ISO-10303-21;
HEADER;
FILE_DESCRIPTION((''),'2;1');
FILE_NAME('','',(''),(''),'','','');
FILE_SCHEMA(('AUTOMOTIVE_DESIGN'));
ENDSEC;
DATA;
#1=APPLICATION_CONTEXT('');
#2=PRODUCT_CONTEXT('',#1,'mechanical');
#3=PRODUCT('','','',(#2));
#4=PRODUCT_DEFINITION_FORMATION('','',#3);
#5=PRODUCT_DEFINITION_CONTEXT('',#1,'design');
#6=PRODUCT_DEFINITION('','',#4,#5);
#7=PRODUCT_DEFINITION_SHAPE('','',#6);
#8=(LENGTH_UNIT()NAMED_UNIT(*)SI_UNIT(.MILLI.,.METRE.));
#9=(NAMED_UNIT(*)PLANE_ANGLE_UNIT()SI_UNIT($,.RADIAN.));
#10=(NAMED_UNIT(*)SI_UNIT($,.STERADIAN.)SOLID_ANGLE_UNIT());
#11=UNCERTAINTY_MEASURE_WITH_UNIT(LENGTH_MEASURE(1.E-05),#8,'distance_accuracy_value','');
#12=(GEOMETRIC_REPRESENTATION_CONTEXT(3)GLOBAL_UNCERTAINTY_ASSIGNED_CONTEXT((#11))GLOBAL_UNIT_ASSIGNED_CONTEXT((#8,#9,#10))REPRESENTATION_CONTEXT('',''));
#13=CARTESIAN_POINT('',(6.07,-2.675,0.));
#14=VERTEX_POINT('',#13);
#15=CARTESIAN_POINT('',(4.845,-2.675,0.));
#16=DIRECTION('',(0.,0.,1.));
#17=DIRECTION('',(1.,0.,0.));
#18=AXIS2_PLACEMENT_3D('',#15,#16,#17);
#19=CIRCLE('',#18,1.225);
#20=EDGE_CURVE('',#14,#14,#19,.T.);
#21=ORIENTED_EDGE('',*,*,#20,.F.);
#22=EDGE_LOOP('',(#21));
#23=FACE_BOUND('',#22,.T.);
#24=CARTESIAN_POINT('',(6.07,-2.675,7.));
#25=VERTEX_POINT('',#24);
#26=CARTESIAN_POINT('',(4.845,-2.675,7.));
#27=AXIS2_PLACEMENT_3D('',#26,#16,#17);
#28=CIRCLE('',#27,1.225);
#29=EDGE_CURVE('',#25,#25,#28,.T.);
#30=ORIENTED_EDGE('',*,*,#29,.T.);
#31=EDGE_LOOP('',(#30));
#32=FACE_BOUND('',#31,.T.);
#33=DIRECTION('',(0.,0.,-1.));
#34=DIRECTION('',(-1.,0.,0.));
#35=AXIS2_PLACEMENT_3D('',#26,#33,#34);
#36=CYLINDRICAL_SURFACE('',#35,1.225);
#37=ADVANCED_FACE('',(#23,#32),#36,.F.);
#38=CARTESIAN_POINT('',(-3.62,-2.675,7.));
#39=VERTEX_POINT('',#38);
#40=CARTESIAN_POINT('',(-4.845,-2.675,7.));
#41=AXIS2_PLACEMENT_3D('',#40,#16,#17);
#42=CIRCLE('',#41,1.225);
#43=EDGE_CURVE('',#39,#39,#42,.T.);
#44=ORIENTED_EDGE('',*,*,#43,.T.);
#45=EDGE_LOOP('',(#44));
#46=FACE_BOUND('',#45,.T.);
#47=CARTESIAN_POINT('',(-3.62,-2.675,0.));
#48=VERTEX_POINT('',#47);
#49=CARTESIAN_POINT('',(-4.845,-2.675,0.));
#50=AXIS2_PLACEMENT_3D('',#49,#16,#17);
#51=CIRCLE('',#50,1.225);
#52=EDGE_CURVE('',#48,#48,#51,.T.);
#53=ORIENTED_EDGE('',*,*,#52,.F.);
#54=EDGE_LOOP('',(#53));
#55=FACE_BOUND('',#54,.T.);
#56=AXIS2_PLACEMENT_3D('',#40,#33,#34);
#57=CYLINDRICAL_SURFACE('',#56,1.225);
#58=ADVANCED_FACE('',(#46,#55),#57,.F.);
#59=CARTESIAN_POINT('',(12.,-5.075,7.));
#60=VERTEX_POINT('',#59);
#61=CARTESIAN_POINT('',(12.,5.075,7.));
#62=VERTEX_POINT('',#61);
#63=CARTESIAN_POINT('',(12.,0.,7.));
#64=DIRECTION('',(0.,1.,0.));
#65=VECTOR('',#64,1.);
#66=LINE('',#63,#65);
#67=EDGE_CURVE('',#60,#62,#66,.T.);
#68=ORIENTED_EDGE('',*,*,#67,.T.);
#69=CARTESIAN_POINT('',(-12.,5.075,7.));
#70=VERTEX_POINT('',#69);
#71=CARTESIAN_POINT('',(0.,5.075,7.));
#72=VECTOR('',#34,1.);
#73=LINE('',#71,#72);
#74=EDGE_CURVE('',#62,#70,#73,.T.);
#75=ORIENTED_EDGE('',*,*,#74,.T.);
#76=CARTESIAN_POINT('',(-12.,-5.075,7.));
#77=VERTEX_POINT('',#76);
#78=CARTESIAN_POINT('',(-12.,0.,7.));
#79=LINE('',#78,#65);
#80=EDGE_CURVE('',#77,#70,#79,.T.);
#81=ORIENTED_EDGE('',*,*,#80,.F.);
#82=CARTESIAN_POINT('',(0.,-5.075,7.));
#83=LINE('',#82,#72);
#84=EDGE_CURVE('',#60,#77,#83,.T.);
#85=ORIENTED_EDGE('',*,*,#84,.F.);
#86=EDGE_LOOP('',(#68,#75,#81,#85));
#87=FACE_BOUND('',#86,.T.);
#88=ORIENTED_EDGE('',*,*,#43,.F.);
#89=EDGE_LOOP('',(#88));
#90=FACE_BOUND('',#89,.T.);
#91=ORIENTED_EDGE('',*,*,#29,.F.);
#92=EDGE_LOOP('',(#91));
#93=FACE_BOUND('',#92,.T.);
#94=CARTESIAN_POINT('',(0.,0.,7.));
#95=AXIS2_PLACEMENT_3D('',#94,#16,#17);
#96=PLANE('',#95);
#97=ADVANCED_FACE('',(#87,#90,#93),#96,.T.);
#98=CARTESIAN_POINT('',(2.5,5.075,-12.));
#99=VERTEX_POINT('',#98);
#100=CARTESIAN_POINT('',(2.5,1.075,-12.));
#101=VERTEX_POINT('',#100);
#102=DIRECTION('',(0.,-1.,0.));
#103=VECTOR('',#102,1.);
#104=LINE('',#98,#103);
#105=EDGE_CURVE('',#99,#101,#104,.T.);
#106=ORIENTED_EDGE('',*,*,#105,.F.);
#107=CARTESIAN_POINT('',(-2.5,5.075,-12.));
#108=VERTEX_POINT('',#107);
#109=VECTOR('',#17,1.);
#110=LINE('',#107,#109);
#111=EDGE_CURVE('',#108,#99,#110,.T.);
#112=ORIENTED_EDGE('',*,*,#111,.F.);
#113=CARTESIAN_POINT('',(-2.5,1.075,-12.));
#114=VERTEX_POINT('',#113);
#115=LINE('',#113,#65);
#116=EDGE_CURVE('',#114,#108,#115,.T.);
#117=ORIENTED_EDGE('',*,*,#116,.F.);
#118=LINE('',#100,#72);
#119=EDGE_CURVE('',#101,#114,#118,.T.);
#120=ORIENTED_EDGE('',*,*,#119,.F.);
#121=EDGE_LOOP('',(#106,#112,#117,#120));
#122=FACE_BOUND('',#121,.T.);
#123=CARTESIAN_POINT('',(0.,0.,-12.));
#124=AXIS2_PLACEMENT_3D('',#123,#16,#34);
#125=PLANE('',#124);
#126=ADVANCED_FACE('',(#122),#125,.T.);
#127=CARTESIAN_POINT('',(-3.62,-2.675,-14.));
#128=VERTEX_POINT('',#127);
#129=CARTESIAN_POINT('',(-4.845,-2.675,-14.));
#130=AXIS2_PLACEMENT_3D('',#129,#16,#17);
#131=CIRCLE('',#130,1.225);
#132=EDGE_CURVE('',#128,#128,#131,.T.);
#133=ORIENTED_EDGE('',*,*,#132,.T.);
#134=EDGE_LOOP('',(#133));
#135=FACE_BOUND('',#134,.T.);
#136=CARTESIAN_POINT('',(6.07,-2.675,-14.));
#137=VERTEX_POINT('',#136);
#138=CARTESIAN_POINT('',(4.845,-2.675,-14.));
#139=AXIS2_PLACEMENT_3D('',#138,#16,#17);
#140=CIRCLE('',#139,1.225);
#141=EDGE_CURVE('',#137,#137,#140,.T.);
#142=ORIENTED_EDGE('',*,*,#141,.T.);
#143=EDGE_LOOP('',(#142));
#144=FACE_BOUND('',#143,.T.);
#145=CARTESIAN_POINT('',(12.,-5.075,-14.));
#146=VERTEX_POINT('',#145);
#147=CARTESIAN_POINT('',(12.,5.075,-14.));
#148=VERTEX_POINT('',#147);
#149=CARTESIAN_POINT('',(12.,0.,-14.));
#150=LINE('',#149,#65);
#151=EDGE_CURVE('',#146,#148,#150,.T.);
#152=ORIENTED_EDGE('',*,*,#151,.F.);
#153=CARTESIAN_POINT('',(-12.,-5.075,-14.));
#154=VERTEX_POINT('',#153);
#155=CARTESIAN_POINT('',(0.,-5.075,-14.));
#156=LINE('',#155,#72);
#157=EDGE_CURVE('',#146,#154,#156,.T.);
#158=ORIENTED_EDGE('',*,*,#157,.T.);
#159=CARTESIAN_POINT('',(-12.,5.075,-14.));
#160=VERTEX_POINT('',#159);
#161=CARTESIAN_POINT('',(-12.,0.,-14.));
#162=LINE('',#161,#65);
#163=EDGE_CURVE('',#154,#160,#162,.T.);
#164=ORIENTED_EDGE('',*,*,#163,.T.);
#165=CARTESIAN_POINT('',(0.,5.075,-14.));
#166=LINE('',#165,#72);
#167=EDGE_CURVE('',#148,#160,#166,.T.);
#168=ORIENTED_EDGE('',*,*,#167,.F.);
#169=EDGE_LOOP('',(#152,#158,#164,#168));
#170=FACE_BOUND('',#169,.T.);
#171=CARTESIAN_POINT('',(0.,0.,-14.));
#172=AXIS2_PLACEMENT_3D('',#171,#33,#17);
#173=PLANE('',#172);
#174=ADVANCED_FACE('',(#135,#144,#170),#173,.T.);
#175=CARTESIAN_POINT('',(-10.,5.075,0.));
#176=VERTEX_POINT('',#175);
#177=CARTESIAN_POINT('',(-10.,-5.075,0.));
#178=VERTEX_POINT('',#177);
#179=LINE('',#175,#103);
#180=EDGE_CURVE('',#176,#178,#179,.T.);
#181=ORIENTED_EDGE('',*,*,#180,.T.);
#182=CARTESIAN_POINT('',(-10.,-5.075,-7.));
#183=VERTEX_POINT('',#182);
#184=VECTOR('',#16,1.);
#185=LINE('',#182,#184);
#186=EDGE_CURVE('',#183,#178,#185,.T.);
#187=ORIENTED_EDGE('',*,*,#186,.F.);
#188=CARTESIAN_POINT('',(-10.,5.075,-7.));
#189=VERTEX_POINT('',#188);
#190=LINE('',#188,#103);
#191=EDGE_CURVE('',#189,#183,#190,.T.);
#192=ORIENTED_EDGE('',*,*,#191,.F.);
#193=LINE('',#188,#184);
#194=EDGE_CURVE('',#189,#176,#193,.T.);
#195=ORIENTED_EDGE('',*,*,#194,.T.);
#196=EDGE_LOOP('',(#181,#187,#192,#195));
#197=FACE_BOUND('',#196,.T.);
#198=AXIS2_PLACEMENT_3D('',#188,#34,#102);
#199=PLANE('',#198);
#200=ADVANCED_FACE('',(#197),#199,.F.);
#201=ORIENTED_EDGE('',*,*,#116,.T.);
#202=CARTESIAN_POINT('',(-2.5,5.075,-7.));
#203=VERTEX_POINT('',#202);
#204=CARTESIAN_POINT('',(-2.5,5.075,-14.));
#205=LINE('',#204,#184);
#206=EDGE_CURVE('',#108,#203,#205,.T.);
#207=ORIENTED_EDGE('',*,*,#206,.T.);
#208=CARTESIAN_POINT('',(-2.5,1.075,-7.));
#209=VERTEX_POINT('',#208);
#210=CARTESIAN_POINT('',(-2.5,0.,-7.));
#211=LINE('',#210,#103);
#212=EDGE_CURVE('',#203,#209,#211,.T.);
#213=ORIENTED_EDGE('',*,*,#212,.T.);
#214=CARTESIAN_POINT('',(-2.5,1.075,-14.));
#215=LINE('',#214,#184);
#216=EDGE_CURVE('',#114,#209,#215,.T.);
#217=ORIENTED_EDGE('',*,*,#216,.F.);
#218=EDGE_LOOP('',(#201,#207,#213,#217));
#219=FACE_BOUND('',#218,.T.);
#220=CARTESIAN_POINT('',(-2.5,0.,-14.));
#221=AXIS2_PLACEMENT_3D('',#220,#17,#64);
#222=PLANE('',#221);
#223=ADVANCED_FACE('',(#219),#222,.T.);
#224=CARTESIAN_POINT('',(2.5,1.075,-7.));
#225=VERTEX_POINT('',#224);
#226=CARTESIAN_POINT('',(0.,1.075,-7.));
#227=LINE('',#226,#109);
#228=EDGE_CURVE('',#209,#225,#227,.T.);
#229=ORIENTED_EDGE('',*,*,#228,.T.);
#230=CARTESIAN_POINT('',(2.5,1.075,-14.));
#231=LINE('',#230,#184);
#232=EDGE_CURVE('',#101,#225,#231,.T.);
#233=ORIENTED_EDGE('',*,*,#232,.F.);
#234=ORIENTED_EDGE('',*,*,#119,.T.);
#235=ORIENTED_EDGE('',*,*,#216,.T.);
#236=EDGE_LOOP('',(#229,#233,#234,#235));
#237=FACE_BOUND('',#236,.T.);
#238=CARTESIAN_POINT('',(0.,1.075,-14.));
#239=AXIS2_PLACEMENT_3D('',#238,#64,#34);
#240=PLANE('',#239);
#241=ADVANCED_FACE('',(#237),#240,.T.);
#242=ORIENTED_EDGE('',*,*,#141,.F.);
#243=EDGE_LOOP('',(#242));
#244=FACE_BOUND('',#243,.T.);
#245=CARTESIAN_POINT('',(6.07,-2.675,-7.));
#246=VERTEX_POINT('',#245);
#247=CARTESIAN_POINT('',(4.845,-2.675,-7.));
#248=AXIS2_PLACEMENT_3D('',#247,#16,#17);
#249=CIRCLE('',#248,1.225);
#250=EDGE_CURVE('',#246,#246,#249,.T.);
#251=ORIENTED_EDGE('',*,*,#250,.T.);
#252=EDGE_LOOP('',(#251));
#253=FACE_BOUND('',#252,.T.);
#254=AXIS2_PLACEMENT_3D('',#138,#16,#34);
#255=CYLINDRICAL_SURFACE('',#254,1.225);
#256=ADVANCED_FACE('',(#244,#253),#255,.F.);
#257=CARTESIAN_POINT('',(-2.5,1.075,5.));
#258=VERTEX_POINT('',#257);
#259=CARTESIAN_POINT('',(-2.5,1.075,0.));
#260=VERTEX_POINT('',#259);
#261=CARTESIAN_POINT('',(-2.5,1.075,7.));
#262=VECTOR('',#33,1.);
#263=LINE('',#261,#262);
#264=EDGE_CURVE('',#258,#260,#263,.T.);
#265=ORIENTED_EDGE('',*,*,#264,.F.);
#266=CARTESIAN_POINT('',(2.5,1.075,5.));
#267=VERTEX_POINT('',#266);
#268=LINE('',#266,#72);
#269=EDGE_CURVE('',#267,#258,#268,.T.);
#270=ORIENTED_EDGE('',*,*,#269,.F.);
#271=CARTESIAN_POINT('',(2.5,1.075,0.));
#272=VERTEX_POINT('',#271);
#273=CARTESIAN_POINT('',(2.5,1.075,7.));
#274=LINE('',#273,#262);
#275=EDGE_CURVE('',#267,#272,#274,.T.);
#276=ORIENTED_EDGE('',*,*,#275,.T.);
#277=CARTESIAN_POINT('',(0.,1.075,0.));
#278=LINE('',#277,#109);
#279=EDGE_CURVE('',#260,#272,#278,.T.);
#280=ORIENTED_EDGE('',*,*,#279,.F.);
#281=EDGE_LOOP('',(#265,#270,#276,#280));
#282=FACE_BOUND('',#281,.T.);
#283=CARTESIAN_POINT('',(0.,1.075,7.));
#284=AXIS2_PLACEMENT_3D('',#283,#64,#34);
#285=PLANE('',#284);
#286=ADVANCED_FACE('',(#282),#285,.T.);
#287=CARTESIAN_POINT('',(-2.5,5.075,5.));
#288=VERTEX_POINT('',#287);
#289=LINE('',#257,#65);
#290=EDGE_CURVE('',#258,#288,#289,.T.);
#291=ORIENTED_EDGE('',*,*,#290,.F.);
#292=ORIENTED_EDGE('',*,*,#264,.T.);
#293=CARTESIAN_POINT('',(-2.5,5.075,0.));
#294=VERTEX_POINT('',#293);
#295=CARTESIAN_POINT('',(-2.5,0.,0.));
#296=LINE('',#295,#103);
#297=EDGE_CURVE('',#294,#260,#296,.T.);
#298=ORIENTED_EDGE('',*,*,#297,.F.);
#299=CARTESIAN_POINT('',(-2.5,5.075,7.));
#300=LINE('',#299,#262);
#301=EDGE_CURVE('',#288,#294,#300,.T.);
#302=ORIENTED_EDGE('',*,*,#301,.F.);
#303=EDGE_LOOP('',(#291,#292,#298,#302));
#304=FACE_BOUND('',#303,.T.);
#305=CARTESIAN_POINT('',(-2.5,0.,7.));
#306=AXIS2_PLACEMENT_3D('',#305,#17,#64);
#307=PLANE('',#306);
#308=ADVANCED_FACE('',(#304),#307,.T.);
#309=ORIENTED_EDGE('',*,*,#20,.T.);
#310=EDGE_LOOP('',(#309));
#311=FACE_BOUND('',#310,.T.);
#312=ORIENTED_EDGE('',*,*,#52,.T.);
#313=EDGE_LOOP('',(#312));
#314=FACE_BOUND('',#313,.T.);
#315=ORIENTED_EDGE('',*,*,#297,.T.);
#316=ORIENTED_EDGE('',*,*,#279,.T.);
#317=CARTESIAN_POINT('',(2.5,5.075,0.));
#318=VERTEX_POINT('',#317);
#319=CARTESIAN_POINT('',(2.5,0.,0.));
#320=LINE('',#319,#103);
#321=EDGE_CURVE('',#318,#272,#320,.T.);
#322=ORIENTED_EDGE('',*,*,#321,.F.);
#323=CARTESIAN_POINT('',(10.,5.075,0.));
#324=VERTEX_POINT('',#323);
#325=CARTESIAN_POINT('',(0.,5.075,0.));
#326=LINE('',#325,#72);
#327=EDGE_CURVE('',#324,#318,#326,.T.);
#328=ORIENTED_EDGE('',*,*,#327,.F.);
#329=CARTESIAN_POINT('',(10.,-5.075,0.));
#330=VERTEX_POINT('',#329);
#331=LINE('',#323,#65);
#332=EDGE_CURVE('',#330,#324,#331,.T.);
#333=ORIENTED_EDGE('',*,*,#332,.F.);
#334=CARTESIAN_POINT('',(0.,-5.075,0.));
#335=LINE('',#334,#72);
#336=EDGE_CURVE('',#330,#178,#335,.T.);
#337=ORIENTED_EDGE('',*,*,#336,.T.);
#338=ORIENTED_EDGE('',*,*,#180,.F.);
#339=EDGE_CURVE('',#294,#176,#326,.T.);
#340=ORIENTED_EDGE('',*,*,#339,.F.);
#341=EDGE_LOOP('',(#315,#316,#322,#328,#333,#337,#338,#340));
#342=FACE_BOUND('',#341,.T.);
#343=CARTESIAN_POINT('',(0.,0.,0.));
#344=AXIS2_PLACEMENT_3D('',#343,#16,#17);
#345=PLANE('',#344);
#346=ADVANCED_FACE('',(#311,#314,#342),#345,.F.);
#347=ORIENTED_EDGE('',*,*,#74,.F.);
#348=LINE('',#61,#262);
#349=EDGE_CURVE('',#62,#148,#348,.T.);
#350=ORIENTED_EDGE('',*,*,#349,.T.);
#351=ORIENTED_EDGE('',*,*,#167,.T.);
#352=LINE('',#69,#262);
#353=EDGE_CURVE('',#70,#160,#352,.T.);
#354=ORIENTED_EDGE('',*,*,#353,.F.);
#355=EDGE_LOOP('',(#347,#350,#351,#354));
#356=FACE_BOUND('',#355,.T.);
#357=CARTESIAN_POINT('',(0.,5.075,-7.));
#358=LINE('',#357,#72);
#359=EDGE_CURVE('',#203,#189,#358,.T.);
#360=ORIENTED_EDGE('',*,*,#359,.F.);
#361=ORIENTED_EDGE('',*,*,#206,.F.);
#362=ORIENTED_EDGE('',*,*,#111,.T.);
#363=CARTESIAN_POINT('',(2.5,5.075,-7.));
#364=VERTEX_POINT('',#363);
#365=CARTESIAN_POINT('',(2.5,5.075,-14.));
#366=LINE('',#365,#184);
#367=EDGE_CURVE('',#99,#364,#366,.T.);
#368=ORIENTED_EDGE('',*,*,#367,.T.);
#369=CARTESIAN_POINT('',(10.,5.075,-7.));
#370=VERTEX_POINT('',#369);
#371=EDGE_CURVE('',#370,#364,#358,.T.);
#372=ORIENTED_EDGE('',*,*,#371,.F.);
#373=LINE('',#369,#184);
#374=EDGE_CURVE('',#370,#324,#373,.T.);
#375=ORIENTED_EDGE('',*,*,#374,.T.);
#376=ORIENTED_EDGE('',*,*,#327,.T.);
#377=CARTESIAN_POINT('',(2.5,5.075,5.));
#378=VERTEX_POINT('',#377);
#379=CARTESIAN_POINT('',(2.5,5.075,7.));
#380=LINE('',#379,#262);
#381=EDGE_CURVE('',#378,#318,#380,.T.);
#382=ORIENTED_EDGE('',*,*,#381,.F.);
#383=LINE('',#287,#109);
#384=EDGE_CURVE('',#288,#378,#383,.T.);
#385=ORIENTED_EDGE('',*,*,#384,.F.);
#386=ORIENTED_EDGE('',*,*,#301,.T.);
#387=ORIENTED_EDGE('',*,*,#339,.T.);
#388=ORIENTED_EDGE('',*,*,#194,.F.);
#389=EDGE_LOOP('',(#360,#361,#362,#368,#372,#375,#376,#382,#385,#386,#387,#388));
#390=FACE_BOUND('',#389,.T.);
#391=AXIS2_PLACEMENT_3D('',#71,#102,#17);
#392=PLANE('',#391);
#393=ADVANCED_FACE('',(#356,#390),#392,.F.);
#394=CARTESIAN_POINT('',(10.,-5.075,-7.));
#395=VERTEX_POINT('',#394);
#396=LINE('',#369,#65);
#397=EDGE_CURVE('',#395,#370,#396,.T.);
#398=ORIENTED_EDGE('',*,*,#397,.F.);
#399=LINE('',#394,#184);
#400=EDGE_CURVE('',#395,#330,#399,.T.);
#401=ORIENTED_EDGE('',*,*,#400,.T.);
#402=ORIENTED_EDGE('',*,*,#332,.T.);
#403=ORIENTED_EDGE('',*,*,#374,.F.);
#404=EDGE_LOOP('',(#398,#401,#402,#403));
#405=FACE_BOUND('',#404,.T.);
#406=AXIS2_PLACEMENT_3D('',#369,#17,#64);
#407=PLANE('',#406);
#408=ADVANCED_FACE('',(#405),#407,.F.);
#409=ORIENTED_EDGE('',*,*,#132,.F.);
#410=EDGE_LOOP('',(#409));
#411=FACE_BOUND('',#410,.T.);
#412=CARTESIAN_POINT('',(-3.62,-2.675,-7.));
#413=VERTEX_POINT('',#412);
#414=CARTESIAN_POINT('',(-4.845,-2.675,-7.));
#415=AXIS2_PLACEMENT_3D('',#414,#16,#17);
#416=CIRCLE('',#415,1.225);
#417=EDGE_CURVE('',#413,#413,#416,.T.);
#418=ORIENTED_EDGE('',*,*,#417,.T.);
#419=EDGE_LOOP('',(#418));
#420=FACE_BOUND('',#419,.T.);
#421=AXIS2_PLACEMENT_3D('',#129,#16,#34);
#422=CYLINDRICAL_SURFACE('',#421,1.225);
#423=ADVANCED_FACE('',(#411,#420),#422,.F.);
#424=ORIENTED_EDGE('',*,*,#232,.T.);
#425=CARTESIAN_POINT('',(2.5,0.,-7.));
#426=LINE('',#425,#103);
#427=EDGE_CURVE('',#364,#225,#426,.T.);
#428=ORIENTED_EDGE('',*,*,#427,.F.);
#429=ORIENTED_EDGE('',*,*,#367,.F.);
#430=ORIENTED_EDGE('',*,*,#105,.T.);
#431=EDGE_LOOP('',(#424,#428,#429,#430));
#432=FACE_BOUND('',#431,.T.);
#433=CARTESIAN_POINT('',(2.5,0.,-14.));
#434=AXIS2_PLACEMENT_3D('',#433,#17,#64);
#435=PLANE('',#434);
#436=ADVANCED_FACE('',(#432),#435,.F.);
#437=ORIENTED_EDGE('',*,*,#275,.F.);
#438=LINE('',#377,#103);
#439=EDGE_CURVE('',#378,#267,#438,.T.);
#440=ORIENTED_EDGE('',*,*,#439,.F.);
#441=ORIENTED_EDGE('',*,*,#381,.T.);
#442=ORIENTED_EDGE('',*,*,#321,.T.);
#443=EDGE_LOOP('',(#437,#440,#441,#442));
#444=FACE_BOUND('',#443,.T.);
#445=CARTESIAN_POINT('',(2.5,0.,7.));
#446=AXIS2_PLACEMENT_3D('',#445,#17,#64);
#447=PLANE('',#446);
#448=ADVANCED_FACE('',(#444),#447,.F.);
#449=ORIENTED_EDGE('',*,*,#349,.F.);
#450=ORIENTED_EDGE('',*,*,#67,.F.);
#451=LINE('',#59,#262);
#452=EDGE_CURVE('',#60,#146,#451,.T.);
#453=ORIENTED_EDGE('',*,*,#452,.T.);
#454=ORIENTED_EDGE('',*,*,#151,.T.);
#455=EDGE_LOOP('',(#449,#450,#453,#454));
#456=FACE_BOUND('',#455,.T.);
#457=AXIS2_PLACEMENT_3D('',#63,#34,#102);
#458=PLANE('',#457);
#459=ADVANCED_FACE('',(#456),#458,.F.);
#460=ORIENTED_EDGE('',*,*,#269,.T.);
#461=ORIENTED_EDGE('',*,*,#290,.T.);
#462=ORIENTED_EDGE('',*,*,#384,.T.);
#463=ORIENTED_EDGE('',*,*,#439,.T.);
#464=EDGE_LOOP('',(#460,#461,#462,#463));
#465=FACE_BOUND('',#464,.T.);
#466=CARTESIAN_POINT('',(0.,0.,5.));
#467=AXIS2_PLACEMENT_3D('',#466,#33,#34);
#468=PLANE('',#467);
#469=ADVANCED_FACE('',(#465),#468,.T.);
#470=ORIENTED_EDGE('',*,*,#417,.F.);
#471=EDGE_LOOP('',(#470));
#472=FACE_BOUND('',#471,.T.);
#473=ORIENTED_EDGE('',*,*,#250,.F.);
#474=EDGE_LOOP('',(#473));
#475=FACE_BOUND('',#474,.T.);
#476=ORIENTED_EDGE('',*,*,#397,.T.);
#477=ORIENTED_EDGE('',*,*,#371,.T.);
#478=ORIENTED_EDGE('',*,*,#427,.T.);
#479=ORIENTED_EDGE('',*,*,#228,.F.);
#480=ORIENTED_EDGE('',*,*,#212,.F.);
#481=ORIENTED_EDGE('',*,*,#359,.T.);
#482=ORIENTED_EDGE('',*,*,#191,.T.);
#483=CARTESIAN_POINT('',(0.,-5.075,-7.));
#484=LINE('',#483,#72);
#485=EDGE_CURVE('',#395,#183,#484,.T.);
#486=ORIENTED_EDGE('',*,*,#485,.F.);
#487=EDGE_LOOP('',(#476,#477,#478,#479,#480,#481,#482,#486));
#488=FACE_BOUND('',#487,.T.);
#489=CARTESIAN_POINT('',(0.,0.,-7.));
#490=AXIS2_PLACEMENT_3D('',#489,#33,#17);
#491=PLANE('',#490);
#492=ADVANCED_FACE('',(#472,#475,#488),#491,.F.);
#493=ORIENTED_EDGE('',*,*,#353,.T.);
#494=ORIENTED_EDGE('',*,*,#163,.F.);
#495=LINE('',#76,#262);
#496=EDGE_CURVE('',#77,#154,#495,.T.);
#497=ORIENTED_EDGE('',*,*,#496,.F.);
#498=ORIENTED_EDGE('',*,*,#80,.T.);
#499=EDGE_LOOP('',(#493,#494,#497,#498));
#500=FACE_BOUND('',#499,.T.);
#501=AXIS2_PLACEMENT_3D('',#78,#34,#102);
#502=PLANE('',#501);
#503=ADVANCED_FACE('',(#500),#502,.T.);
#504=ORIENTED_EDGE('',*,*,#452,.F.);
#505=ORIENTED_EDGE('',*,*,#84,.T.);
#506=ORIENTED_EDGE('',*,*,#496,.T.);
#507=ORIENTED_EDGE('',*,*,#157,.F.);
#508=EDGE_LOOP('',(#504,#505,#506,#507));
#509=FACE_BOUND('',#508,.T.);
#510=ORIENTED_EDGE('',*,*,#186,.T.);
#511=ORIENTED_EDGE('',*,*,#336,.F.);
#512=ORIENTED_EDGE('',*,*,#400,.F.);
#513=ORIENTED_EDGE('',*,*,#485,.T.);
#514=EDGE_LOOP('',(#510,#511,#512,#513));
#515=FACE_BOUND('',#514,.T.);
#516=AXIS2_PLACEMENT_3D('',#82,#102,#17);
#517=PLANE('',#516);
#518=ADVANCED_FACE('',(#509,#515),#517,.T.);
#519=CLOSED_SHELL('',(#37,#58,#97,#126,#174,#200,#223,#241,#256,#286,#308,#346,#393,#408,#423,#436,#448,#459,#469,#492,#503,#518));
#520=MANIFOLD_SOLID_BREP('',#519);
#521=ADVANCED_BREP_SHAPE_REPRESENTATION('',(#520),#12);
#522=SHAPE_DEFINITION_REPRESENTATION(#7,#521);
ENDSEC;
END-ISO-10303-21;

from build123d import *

# Parameters (mm, degrees)
ESQUISSE2_R        = 1.225
BOSS_EXTRU_1_DEPTH = 7
ESQUISSE3_W        = 5
ESQUISSE3_H        = 4
BOSS_EXTRU_2_DEPTH = 2
ESQUISSE5_W        = 2
ESQUISSE5_H        = 10.15
BOSS_EXTRU_3_DEPTH = 7


with BuildPart() as part:
    # Esquisse2 → Boss.-Extru.1 (new body)
    with BuildSketch(Plane.XY):
        Polygon((12, 5.075), (2.5, 5.075), (2.5, 1.075), (-2.5, 1.075), (-2.5, 5.075), (-12, 5.075), (-12, -5.075), (12, -5.075), align=None)
        with Locations((4.845, -2.675)):
            Circle(ESQUISSE2_R, mode=Mode.SUBTRACT)
        with Locations((-4.845, -2.675)):
            Circle(ESQUISSE2_R, mode=Mode.SUBTRACT)
    extrude(amount=BOSS_EXTRU_1_DEPTH)

    # Esquisse3 → Boss.-Extru.2 (add)
    with BuildSketch(Plane.XY.offset(7)):
        with Locations((0, 3.075)):
            Rectangle(ESQUISSE3_W, ESQUISSE3_H)
    extrude(amount=-BOSS_EXTRU_2_DEPTH)

    # Esquisse5 → Boss.-Extru.3 (add)
    with BuildSketch(Plane(origin=(0, 0, 0), x_dir=(-1, 0, 0), z_dir=(0, 0, -1))):
        with Locations((-11, 0)):
            Rectangle(ESQUISSE5_W, ESQUISSE5_H)
        with Locations((11, 0)):
            Rectangle(ESQUISSE5_W, ESQUISSE5_H)
    extrude(amount=BOSS_EXTRU_3_DEPTH)

    # Symétrie1: part across plane


with BuildPart() as part_1:
    add(part.part)
    add(part.part.mirror(Plane(origin=(0, 0, -3.5), x_dir=(1, 0, 0), z_dir=(0, 0, -1))))


solid = part_1.part
